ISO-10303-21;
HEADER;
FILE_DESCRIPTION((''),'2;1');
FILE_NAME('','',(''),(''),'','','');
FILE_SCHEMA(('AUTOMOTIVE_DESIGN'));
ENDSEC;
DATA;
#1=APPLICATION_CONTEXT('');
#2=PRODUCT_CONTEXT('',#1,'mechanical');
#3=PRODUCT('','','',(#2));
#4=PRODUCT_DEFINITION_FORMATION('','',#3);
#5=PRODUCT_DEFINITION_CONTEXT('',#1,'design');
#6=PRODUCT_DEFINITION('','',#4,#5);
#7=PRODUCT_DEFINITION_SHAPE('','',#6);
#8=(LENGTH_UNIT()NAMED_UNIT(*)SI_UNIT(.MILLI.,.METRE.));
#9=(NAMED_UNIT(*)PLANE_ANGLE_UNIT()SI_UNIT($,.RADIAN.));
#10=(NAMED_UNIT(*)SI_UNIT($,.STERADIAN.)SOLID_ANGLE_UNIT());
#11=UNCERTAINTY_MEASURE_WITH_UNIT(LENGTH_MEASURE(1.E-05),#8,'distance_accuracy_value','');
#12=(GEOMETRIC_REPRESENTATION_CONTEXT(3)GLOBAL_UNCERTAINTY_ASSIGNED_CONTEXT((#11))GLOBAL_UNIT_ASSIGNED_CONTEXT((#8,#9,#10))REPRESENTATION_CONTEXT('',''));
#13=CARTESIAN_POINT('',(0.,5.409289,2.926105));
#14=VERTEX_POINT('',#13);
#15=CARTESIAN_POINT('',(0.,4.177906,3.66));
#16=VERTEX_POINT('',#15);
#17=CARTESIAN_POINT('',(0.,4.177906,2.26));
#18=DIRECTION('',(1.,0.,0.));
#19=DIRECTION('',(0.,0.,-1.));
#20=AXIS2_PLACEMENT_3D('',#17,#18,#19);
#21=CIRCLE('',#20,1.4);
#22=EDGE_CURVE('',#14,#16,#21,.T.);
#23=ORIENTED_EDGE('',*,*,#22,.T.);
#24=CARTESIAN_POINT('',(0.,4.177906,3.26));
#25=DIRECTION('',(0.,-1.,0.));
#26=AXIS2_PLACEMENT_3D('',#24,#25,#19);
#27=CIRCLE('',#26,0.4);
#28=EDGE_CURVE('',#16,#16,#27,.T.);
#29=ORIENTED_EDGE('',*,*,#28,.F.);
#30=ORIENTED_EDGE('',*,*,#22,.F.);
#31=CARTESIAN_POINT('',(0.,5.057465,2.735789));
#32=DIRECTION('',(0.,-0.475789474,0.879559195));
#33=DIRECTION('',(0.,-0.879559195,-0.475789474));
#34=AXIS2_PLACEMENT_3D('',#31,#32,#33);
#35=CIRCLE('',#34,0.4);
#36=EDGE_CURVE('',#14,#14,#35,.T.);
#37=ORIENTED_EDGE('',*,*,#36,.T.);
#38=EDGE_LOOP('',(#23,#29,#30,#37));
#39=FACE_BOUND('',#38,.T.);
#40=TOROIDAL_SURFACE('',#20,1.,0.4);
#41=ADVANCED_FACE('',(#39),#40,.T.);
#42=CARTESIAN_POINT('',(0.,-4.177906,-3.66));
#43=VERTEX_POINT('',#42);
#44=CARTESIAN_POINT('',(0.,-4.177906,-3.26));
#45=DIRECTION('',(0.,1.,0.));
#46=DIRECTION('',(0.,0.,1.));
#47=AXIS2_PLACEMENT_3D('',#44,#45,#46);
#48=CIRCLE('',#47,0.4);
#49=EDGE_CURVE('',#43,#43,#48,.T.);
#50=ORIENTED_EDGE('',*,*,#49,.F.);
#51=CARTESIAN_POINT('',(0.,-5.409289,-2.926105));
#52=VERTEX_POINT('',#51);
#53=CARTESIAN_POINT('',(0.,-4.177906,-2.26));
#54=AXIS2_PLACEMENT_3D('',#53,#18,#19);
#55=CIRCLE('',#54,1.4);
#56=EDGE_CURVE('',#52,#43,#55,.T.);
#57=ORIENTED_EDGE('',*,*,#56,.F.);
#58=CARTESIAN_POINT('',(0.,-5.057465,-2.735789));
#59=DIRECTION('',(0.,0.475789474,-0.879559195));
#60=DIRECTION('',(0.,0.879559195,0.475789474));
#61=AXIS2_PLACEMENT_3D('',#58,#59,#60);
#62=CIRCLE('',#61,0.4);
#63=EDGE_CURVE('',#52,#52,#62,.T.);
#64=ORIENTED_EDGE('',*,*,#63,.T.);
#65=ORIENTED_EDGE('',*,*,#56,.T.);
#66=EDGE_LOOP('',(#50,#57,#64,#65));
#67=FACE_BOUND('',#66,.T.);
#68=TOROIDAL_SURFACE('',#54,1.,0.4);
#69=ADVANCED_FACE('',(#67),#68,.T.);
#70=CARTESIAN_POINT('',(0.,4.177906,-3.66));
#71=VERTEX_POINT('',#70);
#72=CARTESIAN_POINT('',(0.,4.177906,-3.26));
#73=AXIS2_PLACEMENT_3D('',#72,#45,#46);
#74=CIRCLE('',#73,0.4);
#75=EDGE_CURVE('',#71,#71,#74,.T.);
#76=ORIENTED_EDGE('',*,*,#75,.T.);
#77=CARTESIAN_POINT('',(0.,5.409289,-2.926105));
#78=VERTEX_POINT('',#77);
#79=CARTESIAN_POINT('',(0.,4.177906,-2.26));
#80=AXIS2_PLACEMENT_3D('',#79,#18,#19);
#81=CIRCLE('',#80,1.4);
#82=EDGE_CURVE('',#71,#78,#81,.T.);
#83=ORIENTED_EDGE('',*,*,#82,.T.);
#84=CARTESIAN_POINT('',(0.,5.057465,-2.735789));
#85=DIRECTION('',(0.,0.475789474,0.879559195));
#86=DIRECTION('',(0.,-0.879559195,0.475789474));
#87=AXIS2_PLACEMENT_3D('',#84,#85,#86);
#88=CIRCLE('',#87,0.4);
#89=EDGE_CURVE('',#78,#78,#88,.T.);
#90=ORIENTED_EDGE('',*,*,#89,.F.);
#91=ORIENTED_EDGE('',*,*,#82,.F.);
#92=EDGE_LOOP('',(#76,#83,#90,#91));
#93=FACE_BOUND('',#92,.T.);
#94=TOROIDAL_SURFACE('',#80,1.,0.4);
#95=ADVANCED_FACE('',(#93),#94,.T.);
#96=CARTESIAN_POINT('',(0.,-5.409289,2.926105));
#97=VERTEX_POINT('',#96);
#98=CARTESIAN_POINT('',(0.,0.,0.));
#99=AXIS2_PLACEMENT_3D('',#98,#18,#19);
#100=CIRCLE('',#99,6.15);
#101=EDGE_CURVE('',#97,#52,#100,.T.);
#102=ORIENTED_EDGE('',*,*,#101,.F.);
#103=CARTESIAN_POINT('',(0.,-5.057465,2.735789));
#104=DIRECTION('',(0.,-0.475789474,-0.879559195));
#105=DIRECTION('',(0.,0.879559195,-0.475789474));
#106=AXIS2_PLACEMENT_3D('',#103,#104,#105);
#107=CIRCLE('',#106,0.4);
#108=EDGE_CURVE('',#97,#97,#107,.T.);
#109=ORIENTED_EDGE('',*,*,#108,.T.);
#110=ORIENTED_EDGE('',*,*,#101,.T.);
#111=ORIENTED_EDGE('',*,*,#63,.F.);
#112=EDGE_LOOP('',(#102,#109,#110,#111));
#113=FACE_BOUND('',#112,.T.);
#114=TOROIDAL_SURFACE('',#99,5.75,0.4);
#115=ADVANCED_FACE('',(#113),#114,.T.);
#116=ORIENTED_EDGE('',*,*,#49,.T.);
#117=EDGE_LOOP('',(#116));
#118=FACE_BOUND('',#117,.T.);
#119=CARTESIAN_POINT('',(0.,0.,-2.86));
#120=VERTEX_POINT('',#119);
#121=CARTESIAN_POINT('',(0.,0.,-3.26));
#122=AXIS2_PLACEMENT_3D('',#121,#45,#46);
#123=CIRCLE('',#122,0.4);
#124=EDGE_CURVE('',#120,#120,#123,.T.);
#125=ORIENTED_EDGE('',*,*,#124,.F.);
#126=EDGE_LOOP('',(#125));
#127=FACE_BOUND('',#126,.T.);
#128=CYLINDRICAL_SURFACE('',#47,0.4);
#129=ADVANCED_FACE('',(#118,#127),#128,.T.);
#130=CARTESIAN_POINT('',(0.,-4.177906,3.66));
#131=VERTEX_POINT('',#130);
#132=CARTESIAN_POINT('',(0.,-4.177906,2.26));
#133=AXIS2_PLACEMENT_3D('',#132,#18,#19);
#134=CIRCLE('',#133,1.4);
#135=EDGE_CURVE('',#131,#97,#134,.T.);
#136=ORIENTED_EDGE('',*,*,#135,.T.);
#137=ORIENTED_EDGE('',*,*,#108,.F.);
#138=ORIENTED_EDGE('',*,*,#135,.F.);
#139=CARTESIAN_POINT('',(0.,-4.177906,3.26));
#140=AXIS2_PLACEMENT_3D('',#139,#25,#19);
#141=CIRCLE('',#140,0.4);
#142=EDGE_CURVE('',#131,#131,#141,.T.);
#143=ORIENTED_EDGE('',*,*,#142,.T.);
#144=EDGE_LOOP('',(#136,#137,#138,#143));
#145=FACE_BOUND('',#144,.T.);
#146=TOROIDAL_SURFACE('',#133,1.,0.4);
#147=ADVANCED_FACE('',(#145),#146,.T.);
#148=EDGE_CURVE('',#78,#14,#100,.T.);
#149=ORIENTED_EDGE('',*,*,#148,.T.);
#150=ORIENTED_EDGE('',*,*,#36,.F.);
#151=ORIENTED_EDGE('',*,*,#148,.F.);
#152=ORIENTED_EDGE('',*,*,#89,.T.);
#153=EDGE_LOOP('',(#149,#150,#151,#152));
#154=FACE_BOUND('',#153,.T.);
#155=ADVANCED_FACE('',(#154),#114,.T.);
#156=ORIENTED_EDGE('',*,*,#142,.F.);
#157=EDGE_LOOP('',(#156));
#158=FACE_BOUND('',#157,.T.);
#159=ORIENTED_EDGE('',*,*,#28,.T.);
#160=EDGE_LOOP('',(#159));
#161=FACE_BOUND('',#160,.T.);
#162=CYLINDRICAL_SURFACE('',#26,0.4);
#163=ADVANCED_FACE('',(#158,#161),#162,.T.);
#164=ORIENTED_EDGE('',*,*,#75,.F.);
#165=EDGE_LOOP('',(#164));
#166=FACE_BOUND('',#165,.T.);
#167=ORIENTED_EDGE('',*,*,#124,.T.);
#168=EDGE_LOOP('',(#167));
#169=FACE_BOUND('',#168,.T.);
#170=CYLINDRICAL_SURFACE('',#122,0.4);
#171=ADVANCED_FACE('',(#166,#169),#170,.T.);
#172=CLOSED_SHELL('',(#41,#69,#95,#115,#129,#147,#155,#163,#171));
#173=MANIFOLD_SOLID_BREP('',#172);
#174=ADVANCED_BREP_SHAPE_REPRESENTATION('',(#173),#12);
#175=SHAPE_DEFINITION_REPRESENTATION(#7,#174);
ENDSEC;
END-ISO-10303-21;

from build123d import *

# Parameters (mm, degrees)
SKETCH2_R = 0.4


with BuildPart() as part:
    # Sweep1: sweep along a path in Sketch1
    with BuildLine(Plane(origin=(0, 0, 0), x_dir=(0, 0, -1), z_dir=(1, 0, 0))) as sweep1_path:
        Line((2.76, 4.177906174), (2.76, -4.177906174))
        ThreePointArc((2.76, -4.177906174), (2.689503998, -4.433887259), (2.497894737, -4.617685771))
        ThreePointArc((2.497894737, -4.617685771), (0, -5.25), (-2.497894737, -4.617685771))
        ThreePointArc((-2.497894737, -4.617685771), (-2.689503998, -4.433887259), (-2.76, -4.177906174))
        Line((-2.76, -4.177906174), (-2.76, 4.177906174))
        ThreePointArc((-2.76, 4.177906174), (-2.689503998, 4.433887259), (-2.497894737, 4.617685771))
        ThreePointArc((-2.497894737, 4.617685771), (0, 5.25), (2.497894737, 4.617685771))
        ThreePointArc((2.497894737, 4.617685771), (2.689503998, 4.433887259), (2.76, 4.177906174))
    # Sketch2 → Sweep1 (sweep)
    with BuildSketch(Plane(origin=(0, 0, 0), x_dir=(1, 0, 0), z_dir=(0, 1, 0))):
        with Locations((0, 3.26)):
            Circle(SKETCH2_R)
    sweep(path=sweep1_path.line)


solid = part.part
